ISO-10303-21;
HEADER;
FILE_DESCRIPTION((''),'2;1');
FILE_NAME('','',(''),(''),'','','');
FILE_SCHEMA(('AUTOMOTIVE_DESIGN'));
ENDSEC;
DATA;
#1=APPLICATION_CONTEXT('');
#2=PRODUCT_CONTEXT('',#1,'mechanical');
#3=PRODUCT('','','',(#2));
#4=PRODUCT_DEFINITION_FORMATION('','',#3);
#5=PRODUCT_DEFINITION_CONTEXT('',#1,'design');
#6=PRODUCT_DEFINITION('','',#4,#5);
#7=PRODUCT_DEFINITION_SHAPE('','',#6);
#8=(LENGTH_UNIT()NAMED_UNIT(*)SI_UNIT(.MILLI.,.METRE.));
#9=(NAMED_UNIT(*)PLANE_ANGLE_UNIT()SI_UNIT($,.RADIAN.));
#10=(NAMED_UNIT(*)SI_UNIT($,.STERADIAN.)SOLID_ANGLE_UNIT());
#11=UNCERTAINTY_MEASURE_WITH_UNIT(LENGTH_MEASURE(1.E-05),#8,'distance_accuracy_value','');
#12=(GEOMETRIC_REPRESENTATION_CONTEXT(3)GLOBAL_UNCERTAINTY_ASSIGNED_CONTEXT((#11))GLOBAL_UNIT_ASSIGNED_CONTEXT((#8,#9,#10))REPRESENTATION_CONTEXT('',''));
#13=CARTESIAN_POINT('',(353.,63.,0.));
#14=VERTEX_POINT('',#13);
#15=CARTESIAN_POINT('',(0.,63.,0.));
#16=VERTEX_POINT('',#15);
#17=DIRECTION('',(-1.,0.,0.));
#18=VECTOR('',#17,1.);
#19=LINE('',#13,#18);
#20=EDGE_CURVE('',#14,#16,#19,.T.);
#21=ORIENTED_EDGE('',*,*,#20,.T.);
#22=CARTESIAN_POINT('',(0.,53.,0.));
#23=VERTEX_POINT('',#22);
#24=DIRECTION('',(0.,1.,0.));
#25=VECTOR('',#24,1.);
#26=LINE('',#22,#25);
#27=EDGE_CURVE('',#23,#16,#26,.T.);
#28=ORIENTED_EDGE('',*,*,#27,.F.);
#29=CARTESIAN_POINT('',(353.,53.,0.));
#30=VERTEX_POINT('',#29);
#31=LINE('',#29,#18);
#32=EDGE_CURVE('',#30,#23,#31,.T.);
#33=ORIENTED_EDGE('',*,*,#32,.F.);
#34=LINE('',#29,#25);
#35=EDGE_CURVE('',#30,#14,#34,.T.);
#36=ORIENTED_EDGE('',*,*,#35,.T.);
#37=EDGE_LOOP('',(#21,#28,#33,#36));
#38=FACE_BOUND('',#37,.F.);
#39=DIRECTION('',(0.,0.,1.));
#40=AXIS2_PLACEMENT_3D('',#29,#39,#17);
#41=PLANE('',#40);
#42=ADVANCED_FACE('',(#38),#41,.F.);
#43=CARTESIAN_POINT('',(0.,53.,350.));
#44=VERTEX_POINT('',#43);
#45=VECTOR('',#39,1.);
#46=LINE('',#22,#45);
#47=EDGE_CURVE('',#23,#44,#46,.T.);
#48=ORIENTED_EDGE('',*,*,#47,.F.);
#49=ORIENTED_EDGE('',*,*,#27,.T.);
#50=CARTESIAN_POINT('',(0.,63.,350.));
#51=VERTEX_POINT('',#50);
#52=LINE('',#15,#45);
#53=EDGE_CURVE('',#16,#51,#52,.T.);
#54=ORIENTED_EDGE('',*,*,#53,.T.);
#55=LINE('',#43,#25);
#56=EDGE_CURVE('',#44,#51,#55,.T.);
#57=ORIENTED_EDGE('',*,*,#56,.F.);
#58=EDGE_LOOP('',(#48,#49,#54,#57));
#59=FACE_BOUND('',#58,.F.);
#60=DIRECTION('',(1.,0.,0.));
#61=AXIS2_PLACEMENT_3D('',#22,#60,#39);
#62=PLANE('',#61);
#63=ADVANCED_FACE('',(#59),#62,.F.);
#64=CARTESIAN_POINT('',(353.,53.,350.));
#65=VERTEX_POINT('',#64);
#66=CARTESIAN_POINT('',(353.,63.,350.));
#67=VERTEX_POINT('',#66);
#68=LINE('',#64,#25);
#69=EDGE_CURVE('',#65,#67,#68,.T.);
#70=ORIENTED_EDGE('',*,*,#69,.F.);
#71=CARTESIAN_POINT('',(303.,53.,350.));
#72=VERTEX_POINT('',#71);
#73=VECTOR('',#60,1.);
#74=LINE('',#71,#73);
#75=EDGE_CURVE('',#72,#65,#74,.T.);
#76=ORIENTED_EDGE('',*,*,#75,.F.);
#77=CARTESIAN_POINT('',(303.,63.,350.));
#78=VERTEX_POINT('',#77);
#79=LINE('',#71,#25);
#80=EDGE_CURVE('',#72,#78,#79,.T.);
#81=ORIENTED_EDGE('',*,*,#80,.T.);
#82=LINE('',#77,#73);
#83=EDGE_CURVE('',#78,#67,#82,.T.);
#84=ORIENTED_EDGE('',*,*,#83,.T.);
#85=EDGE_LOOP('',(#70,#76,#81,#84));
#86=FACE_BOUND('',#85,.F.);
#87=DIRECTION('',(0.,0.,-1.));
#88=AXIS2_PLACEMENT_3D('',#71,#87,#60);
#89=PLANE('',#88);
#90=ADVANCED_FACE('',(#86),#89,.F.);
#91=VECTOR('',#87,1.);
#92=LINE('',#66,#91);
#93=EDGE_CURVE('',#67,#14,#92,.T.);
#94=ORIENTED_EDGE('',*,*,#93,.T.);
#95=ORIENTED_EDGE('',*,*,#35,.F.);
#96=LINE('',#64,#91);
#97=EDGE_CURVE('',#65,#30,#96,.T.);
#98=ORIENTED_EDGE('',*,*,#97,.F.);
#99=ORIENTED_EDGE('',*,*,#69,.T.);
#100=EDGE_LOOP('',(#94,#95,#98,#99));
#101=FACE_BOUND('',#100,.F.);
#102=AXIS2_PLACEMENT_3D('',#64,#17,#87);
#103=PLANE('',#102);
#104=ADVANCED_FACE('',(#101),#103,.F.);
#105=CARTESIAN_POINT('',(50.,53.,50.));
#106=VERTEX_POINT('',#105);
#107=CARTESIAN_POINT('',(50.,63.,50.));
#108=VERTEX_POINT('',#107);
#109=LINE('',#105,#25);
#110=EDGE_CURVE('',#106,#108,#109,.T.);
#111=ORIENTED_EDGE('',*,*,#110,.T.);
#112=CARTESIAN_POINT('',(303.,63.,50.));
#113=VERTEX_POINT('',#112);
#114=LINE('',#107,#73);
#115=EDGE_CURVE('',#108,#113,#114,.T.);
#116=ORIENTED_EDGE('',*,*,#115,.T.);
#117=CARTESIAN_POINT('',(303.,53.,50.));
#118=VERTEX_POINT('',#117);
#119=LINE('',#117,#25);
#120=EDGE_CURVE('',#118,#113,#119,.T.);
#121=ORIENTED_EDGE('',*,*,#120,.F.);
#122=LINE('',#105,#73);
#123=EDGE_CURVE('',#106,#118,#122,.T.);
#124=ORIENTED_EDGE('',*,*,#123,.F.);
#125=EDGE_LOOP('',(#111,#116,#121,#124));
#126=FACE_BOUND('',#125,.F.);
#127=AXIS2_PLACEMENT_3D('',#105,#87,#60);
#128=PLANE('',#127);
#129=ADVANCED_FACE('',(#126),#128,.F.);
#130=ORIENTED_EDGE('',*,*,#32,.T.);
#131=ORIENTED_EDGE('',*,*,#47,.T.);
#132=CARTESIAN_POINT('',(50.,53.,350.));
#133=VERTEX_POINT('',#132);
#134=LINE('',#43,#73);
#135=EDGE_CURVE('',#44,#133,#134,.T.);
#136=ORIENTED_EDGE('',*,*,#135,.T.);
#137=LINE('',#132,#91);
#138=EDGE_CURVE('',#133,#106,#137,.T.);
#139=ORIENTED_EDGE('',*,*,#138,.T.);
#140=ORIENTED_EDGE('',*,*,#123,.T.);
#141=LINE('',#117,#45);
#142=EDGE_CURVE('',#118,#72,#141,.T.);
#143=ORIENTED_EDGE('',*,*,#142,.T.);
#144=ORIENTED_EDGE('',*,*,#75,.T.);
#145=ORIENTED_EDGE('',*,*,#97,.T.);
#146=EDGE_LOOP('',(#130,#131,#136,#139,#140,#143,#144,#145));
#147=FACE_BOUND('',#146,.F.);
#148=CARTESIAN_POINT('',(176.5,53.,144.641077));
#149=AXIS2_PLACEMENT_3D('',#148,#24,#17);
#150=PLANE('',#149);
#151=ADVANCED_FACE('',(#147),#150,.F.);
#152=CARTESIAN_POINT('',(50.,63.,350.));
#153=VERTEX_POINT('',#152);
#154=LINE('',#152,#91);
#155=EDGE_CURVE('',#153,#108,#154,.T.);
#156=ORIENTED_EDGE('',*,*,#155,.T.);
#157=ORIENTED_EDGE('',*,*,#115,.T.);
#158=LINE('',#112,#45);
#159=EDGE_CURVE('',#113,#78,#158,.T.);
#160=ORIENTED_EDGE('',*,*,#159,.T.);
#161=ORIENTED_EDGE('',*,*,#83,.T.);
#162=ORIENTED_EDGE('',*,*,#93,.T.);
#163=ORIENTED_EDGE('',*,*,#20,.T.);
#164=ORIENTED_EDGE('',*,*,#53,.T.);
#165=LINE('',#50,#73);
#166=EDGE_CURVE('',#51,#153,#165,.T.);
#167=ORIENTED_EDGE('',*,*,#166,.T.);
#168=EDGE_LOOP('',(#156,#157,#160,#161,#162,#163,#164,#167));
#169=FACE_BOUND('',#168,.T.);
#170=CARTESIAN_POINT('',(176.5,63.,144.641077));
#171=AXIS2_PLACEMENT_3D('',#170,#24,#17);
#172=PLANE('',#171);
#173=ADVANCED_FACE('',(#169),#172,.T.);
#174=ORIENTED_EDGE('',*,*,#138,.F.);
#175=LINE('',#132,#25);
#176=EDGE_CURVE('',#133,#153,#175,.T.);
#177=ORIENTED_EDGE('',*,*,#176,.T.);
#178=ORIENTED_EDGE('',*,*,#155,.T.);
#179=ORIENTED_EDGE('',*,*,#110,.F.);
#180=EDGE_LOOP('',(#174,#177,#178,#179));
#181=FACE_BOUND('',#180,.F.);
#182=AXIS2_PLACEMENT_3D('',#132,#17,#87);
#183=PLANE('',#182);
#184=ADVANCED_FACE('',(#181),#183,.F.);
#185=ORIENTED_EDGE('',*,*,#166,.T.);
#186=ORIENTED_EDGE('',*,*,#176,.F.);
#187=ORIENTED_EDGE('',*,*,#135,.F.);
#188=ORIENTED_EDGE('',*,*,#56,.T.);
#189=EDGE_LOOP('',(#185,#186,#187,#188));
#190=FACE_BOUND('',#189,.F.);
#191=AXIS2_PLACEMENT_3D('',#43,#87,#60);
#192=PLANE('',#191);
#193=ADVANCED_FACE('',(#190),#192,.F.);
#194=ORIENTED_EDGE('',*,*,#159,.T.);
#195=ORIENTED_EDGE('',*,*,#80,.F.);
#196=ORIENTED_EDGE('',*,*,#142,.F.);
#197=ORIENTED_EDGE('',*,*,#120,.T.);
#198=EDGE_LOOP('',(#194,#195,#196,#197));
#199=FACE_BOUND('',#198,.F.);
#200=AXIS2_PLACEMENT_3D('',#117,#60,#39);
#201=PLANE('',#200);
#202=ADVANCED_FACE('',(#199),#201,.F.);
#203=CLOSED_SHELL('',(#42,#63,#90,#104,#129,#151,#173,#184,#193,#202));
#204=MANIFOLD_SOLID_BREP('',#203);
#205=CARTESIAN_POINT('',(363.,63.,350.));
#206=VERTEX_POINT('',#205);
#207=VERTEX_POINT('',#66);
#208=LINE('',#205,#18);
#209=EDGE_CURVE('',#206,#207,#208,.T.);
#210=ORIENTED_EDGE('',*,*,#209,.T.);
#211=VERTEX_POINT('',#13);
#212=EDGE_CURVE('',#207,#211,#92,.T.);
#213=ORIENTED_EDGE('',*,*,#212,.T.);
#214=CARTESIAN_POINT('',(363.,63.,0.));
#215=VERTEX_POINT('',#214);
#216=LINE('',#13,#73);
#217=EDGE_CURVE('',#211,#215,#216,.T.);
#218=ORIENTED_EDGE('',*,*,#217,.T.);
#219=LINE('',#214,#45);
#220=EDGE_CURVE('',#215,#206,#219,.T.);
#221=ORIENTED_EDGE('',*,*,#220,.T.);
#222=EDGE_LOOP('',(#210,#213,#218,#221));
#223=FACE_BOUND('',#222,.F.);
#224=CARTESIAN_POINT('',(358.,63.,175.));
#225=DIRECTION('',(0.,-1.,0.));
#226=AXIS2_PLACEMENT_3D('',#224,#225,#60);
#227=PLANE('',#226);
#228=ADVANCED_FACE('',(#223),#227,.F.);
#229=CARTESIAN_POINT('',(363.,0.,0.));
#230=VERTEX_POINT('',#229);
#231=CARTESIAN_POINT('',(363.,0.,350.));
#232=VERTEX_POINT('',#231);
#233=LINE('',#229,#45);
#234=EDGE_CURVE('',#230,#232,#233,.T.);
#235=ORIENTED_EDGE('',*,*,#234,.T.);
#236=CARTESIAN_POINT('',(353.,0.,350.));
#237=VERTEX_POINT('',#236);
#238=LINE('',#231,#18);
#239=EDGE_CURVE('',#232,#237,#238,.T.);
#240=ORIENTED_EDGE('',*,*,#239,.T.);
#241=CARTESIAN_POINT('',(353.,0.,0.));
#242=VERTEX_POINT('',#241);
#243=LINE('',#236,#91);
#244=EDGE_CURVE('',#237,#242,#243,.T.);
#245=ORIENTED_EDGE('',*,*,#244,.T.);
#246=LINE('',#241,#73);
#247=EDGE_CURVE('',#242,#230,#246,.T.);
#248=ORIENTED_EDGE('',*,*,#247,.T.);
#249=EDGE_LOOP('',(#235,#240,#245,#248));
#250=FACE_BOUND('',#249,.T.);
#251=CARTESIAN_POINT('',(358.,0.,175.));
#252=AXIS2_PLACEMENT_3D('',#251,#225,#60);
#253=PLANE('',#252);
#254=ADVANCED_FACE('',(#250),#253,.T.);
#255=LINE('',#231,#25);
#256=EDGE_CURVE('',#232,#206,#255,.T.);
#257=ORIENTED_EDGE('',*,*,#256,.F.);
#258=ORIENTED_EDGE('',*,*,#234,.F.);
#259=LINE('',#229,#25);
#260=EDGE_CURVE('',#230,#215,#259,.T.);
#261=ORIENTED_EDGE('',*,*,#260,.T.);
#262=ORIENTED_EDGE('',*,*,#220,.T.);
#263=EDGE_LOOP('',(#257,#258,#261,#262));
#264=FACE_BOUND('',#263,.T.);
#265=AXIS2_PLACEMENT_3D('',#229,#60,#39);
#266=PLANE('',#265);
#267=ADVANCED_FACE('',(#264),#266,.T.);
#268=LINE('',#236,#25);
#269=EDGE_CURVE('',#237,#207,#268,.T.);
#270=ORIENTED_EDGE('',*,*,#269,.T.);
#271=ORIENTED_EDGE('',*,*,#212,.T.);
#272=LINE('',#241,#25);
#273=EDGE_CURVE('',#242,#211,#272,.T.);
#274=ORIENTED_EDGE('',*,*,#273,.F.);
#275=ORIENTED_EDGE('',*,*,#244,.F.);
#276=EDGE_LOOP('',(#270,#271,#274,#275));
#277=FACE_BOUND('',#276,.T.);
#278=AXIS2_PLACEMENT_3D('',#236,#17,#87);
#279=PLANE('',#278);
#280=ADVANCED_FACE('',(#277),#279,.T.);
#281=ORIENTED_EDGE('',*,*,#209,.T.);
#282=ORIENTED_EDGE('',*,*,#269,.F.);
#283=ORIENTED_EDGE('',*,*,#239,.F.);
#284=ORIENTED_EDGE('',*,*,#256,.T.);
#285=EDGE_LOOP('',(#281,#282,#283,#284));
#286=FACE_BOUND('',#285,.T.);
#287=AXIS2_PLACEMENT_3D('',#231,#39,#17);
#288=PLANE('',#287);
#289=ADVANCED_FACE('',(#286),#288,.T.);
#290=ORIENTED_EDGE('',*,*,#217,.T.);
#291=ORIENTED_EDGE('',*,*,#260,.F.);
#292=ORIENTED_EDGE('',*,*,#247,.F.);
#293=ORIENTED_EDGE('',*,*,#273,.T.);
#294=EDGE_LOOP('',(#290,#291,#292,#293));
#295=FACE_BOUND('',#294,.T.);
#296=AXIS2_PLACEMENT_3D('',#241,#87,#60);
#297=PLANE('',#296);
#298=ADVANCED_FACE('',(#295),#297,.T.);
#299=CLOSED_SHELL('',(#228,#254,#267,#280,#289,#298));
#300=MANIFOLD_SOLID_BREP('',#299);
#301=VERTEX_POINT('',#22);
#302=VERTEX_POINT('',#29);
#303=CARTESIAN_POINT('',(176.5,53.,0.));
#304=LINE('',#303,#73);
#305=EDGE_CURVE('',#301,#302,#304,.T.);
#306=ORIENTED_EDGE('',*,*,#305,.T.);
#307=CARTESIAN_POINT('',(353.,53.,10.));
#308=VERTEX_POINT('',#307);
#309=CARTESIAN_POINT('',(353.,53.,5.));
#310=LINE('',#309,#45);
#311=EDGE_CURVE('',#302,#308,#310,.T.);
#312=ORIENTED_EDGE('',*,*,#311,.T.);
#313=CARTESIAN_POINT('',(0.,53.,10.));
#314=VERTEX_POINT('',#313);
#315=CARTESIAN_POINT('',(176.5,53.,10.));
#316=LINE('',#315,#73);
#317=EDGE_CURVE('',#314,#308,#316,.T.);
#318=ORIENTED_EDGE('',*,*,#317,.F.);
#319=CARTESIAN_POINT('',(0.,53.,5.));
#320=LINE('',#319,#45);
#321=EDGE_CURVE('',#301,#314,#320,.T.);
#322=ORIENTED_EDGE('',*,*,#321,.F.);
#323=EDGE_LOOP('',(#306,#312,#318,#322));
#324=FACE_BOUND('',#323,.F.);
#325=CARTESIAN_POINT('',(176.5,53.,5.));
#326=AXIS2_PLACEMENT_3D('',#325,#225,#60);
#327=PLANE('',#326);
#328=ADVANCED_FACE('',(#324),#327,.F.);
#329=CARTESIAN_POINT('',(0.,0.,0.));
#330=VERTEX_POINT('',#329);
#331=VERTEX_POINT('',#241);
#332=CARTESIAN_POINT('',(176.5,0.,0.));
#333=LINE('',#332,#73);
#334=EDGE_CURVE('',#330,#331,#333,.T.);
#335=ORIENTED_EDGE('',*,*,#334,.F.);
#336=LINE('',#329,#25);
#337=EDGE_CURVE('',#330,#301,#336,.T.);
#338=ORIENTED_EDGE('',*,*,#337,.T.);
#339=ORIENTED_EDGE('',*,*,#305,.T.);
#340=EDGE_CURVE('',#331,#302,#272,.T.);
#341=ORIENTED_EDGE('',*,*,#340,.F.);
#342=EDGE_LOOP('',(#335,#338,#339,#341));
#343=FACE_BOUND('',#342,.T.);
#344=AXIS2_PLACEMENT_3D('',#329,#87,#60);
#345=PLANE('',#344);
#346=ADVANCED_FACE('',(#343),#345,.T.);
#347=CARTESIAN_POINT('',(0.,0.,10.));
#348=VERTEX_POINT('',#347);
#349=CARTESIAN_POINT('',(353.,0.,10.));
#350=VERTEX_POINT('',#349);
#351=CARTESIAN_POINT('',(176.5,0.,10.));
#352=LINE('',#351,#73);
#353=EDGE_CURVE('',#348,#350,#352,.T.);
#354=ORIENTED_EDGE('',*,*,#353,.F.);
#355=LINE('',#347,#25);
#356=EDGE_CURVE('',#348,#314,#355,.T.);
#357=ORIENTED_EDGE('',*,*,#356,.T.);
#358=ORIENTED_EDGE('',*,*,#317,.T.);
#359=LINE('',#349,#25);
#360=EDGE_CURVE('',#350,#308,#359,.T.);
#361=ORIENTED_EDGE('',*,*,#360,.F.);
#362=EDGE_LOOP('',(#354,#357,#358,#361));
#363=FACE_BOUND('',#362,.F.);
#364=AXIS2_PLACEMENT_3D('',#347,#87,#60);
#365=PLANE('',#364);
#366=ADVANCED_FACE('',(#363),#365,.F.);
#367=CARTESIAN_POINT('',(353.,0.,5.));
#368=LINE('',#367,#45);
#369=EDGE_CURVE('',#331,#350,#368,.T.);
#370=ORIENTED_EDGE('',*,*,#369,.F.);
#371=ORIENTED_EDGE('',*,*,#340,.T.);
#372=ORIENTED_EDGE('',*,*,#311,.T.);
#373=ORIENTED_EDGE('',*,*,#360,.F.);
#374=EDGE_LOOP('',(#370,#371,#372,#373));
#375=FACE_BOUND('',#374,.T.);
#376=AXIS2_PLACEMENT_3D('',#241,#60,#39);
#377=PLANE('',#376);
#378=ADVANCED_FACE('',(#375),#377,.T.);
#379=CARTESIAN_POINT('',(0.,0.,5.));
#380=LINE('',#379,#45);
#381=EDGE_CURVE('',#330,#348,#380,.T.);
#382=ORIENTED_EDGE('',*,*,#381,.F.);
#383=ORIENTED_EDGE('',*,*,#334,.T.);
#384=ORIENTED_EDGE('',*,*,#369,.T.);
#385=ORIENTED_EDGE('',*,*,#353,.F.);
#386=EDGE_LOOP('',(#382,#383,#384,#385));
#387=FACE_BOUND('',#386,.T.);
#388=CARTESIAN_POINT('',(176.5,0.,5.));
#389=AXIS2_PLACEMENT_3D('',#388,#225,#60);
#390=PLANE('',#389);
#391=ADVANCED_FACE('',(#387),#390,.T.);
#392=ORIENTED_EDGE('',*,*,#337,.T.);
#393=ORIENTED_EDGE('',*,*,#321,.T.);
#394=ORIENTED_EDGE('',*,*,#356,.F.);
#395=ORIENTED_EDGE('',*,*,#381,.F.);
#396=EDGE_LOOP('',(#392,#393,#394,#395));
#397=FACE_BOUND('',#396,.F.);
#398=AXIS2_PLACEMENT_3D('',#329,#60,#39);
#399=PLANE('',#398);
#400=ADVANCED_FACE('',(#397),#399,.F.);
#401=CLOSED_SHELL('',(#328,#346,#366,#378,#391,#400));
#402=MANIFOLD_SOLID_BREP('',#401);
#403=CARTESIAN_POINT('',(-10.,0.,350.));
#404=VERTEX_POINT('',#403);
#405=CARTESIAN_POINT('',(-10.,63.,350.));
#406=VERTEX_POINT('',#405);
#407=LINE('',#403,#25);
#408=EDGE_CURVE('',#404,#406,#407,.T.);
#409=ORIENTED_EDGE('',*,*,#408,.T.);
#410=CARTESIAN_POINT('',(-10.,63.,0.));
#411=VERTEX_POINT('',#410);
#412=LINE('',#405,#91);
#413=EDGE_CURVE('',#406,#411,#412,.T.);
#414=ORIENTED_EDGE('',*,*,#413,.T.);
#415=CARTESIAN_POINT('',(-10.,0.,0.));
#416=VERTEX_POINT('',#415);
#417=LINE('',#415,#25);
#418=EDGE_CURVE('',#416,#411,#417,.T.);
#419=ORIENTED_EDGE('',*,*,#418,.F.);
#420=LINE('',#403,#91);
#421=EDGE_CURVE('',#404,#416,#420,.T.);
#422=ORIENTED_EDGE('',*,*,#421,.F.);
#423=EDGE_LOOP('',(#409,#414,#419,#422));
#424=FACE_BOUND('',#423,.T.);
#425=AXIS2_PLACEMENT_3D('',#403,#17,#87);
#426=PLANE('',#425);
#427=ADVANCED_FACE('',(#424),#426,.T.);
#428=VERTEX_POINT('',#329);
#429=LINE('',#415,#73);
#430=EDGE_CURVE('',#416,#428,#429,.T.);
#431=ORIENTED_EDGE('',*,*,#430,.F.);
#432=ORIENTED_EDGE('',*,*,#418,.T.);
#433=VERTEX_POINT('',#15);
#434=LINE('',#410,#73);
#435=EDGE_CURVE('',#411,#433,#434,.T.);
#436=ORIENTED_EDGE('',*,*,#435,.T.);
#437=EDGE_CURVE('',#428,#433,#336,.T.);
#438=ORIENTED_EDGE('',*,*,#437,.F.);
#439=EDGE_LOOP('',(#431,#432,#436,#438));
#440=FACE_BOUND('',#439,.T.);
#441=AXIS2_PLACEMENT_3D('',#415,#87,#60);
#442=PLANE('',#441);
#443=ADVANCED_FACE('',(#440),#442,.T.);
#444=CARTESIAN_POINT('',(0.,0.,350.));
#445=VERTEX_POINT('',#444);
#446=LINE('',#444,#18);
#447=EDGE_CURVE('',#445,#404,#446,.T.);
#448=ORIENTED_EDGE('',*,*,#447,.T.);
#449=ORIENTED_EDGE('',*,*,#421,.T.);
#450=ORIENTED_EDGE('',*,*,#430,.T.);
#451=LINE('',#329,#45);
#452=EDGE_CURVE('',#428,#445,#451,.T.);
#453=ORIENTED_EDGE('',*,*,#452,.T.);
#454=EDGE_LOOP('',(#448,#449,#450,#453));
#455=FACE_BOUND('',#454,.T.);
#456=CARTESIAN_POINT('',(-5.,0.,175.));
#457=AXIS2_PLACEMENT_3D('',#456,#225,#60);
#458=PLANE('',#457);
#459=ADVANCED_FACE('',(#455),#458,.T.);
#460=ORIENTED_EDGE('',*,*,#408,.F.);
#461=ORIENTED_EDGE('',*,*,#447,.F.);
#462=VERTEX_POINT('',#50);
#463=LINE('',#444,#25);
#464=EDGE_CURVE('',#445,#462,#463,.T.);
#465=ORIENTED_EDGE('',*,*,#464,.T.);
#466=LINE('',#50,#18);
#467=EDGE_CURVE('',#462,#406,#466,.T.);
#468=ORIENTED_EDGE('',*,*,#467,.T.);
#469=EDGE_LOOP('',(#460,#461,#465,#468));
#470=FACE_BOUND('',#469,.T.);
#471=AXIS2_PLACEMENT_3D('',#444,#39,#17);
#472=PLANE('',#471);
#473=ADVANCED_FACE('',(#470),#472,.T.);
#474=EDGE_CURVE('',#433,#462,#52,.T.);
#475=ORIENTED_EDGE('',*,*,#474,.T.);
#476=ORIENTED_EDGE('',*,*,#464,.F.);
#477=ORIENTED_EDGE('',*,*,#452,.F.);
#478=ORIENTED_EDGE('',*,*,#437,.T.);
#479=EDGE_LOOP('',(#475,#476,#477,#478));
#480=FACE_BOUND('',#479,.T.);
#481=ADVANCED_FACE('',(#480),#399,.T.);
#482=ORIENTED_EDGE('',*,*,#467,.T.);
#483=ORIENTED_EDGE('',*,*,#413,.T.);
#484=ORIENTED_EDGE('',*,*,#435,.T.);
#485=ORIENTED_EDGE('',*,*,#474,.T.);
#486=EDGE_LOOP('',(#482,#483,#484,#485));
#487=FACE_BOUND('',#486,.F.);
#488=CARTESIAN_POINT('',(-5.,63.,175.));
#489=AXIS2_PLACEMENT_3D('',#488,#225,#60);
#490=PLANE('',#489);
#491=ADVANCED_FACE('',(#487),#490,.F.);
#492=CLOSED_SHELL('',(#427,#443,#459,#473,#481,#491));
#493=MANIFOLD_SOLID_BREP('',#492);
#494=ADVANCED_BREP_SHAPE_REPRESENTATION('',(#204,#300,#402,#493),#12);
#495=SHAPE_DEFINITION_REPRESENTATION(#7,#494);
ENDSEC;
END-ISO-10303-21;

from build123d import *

# Parameters (mm, degrees)
F1_DEPTH = 63
F2_W     = 353
F2_H     = 10
F3_DEPTH = 53
F5_DEPTH = 10


with BuildPart() as f1:
    # F0 (on Front) → F1 (new body)
    with BuildSketch(Plane.XZ):
        Polygon((-10, 0), (0, 0), (0, 10), (0, 350), (-10, 350), align=None)
        Polygon((353, 10), (353, 0), (363, 0), (363, 350), (353, 350), align=None)
    extrude(amount=-F1_DEPTH)


with BuildPart() as f3:
    # F2 (on Front) → F3 (new body)
    with BuildSketch(Plane.XZ):
        with Locations((176.5, 5)):
            Rectangle(F2_W, F2_H)
    extrude(amount=-F3_DEPTH)


with BuildPart() as f5:
    # F4 (on face) → F5 (new body)
    with BuildSketch(Plane(origin=(0, 53, 0), x_dir=(-1, 0, 0), z_dir=(0, 1, 0))):
        Polygon((-353, 0), (0, 0), (0, 350), (-50, 350), (-50, 50), (-303, 50), (-303, 350), (-353, 350), align=None)
    extrude(amount=F5_DEPTH)


solid = Compound([f1.part, f3.part, f5.part])
